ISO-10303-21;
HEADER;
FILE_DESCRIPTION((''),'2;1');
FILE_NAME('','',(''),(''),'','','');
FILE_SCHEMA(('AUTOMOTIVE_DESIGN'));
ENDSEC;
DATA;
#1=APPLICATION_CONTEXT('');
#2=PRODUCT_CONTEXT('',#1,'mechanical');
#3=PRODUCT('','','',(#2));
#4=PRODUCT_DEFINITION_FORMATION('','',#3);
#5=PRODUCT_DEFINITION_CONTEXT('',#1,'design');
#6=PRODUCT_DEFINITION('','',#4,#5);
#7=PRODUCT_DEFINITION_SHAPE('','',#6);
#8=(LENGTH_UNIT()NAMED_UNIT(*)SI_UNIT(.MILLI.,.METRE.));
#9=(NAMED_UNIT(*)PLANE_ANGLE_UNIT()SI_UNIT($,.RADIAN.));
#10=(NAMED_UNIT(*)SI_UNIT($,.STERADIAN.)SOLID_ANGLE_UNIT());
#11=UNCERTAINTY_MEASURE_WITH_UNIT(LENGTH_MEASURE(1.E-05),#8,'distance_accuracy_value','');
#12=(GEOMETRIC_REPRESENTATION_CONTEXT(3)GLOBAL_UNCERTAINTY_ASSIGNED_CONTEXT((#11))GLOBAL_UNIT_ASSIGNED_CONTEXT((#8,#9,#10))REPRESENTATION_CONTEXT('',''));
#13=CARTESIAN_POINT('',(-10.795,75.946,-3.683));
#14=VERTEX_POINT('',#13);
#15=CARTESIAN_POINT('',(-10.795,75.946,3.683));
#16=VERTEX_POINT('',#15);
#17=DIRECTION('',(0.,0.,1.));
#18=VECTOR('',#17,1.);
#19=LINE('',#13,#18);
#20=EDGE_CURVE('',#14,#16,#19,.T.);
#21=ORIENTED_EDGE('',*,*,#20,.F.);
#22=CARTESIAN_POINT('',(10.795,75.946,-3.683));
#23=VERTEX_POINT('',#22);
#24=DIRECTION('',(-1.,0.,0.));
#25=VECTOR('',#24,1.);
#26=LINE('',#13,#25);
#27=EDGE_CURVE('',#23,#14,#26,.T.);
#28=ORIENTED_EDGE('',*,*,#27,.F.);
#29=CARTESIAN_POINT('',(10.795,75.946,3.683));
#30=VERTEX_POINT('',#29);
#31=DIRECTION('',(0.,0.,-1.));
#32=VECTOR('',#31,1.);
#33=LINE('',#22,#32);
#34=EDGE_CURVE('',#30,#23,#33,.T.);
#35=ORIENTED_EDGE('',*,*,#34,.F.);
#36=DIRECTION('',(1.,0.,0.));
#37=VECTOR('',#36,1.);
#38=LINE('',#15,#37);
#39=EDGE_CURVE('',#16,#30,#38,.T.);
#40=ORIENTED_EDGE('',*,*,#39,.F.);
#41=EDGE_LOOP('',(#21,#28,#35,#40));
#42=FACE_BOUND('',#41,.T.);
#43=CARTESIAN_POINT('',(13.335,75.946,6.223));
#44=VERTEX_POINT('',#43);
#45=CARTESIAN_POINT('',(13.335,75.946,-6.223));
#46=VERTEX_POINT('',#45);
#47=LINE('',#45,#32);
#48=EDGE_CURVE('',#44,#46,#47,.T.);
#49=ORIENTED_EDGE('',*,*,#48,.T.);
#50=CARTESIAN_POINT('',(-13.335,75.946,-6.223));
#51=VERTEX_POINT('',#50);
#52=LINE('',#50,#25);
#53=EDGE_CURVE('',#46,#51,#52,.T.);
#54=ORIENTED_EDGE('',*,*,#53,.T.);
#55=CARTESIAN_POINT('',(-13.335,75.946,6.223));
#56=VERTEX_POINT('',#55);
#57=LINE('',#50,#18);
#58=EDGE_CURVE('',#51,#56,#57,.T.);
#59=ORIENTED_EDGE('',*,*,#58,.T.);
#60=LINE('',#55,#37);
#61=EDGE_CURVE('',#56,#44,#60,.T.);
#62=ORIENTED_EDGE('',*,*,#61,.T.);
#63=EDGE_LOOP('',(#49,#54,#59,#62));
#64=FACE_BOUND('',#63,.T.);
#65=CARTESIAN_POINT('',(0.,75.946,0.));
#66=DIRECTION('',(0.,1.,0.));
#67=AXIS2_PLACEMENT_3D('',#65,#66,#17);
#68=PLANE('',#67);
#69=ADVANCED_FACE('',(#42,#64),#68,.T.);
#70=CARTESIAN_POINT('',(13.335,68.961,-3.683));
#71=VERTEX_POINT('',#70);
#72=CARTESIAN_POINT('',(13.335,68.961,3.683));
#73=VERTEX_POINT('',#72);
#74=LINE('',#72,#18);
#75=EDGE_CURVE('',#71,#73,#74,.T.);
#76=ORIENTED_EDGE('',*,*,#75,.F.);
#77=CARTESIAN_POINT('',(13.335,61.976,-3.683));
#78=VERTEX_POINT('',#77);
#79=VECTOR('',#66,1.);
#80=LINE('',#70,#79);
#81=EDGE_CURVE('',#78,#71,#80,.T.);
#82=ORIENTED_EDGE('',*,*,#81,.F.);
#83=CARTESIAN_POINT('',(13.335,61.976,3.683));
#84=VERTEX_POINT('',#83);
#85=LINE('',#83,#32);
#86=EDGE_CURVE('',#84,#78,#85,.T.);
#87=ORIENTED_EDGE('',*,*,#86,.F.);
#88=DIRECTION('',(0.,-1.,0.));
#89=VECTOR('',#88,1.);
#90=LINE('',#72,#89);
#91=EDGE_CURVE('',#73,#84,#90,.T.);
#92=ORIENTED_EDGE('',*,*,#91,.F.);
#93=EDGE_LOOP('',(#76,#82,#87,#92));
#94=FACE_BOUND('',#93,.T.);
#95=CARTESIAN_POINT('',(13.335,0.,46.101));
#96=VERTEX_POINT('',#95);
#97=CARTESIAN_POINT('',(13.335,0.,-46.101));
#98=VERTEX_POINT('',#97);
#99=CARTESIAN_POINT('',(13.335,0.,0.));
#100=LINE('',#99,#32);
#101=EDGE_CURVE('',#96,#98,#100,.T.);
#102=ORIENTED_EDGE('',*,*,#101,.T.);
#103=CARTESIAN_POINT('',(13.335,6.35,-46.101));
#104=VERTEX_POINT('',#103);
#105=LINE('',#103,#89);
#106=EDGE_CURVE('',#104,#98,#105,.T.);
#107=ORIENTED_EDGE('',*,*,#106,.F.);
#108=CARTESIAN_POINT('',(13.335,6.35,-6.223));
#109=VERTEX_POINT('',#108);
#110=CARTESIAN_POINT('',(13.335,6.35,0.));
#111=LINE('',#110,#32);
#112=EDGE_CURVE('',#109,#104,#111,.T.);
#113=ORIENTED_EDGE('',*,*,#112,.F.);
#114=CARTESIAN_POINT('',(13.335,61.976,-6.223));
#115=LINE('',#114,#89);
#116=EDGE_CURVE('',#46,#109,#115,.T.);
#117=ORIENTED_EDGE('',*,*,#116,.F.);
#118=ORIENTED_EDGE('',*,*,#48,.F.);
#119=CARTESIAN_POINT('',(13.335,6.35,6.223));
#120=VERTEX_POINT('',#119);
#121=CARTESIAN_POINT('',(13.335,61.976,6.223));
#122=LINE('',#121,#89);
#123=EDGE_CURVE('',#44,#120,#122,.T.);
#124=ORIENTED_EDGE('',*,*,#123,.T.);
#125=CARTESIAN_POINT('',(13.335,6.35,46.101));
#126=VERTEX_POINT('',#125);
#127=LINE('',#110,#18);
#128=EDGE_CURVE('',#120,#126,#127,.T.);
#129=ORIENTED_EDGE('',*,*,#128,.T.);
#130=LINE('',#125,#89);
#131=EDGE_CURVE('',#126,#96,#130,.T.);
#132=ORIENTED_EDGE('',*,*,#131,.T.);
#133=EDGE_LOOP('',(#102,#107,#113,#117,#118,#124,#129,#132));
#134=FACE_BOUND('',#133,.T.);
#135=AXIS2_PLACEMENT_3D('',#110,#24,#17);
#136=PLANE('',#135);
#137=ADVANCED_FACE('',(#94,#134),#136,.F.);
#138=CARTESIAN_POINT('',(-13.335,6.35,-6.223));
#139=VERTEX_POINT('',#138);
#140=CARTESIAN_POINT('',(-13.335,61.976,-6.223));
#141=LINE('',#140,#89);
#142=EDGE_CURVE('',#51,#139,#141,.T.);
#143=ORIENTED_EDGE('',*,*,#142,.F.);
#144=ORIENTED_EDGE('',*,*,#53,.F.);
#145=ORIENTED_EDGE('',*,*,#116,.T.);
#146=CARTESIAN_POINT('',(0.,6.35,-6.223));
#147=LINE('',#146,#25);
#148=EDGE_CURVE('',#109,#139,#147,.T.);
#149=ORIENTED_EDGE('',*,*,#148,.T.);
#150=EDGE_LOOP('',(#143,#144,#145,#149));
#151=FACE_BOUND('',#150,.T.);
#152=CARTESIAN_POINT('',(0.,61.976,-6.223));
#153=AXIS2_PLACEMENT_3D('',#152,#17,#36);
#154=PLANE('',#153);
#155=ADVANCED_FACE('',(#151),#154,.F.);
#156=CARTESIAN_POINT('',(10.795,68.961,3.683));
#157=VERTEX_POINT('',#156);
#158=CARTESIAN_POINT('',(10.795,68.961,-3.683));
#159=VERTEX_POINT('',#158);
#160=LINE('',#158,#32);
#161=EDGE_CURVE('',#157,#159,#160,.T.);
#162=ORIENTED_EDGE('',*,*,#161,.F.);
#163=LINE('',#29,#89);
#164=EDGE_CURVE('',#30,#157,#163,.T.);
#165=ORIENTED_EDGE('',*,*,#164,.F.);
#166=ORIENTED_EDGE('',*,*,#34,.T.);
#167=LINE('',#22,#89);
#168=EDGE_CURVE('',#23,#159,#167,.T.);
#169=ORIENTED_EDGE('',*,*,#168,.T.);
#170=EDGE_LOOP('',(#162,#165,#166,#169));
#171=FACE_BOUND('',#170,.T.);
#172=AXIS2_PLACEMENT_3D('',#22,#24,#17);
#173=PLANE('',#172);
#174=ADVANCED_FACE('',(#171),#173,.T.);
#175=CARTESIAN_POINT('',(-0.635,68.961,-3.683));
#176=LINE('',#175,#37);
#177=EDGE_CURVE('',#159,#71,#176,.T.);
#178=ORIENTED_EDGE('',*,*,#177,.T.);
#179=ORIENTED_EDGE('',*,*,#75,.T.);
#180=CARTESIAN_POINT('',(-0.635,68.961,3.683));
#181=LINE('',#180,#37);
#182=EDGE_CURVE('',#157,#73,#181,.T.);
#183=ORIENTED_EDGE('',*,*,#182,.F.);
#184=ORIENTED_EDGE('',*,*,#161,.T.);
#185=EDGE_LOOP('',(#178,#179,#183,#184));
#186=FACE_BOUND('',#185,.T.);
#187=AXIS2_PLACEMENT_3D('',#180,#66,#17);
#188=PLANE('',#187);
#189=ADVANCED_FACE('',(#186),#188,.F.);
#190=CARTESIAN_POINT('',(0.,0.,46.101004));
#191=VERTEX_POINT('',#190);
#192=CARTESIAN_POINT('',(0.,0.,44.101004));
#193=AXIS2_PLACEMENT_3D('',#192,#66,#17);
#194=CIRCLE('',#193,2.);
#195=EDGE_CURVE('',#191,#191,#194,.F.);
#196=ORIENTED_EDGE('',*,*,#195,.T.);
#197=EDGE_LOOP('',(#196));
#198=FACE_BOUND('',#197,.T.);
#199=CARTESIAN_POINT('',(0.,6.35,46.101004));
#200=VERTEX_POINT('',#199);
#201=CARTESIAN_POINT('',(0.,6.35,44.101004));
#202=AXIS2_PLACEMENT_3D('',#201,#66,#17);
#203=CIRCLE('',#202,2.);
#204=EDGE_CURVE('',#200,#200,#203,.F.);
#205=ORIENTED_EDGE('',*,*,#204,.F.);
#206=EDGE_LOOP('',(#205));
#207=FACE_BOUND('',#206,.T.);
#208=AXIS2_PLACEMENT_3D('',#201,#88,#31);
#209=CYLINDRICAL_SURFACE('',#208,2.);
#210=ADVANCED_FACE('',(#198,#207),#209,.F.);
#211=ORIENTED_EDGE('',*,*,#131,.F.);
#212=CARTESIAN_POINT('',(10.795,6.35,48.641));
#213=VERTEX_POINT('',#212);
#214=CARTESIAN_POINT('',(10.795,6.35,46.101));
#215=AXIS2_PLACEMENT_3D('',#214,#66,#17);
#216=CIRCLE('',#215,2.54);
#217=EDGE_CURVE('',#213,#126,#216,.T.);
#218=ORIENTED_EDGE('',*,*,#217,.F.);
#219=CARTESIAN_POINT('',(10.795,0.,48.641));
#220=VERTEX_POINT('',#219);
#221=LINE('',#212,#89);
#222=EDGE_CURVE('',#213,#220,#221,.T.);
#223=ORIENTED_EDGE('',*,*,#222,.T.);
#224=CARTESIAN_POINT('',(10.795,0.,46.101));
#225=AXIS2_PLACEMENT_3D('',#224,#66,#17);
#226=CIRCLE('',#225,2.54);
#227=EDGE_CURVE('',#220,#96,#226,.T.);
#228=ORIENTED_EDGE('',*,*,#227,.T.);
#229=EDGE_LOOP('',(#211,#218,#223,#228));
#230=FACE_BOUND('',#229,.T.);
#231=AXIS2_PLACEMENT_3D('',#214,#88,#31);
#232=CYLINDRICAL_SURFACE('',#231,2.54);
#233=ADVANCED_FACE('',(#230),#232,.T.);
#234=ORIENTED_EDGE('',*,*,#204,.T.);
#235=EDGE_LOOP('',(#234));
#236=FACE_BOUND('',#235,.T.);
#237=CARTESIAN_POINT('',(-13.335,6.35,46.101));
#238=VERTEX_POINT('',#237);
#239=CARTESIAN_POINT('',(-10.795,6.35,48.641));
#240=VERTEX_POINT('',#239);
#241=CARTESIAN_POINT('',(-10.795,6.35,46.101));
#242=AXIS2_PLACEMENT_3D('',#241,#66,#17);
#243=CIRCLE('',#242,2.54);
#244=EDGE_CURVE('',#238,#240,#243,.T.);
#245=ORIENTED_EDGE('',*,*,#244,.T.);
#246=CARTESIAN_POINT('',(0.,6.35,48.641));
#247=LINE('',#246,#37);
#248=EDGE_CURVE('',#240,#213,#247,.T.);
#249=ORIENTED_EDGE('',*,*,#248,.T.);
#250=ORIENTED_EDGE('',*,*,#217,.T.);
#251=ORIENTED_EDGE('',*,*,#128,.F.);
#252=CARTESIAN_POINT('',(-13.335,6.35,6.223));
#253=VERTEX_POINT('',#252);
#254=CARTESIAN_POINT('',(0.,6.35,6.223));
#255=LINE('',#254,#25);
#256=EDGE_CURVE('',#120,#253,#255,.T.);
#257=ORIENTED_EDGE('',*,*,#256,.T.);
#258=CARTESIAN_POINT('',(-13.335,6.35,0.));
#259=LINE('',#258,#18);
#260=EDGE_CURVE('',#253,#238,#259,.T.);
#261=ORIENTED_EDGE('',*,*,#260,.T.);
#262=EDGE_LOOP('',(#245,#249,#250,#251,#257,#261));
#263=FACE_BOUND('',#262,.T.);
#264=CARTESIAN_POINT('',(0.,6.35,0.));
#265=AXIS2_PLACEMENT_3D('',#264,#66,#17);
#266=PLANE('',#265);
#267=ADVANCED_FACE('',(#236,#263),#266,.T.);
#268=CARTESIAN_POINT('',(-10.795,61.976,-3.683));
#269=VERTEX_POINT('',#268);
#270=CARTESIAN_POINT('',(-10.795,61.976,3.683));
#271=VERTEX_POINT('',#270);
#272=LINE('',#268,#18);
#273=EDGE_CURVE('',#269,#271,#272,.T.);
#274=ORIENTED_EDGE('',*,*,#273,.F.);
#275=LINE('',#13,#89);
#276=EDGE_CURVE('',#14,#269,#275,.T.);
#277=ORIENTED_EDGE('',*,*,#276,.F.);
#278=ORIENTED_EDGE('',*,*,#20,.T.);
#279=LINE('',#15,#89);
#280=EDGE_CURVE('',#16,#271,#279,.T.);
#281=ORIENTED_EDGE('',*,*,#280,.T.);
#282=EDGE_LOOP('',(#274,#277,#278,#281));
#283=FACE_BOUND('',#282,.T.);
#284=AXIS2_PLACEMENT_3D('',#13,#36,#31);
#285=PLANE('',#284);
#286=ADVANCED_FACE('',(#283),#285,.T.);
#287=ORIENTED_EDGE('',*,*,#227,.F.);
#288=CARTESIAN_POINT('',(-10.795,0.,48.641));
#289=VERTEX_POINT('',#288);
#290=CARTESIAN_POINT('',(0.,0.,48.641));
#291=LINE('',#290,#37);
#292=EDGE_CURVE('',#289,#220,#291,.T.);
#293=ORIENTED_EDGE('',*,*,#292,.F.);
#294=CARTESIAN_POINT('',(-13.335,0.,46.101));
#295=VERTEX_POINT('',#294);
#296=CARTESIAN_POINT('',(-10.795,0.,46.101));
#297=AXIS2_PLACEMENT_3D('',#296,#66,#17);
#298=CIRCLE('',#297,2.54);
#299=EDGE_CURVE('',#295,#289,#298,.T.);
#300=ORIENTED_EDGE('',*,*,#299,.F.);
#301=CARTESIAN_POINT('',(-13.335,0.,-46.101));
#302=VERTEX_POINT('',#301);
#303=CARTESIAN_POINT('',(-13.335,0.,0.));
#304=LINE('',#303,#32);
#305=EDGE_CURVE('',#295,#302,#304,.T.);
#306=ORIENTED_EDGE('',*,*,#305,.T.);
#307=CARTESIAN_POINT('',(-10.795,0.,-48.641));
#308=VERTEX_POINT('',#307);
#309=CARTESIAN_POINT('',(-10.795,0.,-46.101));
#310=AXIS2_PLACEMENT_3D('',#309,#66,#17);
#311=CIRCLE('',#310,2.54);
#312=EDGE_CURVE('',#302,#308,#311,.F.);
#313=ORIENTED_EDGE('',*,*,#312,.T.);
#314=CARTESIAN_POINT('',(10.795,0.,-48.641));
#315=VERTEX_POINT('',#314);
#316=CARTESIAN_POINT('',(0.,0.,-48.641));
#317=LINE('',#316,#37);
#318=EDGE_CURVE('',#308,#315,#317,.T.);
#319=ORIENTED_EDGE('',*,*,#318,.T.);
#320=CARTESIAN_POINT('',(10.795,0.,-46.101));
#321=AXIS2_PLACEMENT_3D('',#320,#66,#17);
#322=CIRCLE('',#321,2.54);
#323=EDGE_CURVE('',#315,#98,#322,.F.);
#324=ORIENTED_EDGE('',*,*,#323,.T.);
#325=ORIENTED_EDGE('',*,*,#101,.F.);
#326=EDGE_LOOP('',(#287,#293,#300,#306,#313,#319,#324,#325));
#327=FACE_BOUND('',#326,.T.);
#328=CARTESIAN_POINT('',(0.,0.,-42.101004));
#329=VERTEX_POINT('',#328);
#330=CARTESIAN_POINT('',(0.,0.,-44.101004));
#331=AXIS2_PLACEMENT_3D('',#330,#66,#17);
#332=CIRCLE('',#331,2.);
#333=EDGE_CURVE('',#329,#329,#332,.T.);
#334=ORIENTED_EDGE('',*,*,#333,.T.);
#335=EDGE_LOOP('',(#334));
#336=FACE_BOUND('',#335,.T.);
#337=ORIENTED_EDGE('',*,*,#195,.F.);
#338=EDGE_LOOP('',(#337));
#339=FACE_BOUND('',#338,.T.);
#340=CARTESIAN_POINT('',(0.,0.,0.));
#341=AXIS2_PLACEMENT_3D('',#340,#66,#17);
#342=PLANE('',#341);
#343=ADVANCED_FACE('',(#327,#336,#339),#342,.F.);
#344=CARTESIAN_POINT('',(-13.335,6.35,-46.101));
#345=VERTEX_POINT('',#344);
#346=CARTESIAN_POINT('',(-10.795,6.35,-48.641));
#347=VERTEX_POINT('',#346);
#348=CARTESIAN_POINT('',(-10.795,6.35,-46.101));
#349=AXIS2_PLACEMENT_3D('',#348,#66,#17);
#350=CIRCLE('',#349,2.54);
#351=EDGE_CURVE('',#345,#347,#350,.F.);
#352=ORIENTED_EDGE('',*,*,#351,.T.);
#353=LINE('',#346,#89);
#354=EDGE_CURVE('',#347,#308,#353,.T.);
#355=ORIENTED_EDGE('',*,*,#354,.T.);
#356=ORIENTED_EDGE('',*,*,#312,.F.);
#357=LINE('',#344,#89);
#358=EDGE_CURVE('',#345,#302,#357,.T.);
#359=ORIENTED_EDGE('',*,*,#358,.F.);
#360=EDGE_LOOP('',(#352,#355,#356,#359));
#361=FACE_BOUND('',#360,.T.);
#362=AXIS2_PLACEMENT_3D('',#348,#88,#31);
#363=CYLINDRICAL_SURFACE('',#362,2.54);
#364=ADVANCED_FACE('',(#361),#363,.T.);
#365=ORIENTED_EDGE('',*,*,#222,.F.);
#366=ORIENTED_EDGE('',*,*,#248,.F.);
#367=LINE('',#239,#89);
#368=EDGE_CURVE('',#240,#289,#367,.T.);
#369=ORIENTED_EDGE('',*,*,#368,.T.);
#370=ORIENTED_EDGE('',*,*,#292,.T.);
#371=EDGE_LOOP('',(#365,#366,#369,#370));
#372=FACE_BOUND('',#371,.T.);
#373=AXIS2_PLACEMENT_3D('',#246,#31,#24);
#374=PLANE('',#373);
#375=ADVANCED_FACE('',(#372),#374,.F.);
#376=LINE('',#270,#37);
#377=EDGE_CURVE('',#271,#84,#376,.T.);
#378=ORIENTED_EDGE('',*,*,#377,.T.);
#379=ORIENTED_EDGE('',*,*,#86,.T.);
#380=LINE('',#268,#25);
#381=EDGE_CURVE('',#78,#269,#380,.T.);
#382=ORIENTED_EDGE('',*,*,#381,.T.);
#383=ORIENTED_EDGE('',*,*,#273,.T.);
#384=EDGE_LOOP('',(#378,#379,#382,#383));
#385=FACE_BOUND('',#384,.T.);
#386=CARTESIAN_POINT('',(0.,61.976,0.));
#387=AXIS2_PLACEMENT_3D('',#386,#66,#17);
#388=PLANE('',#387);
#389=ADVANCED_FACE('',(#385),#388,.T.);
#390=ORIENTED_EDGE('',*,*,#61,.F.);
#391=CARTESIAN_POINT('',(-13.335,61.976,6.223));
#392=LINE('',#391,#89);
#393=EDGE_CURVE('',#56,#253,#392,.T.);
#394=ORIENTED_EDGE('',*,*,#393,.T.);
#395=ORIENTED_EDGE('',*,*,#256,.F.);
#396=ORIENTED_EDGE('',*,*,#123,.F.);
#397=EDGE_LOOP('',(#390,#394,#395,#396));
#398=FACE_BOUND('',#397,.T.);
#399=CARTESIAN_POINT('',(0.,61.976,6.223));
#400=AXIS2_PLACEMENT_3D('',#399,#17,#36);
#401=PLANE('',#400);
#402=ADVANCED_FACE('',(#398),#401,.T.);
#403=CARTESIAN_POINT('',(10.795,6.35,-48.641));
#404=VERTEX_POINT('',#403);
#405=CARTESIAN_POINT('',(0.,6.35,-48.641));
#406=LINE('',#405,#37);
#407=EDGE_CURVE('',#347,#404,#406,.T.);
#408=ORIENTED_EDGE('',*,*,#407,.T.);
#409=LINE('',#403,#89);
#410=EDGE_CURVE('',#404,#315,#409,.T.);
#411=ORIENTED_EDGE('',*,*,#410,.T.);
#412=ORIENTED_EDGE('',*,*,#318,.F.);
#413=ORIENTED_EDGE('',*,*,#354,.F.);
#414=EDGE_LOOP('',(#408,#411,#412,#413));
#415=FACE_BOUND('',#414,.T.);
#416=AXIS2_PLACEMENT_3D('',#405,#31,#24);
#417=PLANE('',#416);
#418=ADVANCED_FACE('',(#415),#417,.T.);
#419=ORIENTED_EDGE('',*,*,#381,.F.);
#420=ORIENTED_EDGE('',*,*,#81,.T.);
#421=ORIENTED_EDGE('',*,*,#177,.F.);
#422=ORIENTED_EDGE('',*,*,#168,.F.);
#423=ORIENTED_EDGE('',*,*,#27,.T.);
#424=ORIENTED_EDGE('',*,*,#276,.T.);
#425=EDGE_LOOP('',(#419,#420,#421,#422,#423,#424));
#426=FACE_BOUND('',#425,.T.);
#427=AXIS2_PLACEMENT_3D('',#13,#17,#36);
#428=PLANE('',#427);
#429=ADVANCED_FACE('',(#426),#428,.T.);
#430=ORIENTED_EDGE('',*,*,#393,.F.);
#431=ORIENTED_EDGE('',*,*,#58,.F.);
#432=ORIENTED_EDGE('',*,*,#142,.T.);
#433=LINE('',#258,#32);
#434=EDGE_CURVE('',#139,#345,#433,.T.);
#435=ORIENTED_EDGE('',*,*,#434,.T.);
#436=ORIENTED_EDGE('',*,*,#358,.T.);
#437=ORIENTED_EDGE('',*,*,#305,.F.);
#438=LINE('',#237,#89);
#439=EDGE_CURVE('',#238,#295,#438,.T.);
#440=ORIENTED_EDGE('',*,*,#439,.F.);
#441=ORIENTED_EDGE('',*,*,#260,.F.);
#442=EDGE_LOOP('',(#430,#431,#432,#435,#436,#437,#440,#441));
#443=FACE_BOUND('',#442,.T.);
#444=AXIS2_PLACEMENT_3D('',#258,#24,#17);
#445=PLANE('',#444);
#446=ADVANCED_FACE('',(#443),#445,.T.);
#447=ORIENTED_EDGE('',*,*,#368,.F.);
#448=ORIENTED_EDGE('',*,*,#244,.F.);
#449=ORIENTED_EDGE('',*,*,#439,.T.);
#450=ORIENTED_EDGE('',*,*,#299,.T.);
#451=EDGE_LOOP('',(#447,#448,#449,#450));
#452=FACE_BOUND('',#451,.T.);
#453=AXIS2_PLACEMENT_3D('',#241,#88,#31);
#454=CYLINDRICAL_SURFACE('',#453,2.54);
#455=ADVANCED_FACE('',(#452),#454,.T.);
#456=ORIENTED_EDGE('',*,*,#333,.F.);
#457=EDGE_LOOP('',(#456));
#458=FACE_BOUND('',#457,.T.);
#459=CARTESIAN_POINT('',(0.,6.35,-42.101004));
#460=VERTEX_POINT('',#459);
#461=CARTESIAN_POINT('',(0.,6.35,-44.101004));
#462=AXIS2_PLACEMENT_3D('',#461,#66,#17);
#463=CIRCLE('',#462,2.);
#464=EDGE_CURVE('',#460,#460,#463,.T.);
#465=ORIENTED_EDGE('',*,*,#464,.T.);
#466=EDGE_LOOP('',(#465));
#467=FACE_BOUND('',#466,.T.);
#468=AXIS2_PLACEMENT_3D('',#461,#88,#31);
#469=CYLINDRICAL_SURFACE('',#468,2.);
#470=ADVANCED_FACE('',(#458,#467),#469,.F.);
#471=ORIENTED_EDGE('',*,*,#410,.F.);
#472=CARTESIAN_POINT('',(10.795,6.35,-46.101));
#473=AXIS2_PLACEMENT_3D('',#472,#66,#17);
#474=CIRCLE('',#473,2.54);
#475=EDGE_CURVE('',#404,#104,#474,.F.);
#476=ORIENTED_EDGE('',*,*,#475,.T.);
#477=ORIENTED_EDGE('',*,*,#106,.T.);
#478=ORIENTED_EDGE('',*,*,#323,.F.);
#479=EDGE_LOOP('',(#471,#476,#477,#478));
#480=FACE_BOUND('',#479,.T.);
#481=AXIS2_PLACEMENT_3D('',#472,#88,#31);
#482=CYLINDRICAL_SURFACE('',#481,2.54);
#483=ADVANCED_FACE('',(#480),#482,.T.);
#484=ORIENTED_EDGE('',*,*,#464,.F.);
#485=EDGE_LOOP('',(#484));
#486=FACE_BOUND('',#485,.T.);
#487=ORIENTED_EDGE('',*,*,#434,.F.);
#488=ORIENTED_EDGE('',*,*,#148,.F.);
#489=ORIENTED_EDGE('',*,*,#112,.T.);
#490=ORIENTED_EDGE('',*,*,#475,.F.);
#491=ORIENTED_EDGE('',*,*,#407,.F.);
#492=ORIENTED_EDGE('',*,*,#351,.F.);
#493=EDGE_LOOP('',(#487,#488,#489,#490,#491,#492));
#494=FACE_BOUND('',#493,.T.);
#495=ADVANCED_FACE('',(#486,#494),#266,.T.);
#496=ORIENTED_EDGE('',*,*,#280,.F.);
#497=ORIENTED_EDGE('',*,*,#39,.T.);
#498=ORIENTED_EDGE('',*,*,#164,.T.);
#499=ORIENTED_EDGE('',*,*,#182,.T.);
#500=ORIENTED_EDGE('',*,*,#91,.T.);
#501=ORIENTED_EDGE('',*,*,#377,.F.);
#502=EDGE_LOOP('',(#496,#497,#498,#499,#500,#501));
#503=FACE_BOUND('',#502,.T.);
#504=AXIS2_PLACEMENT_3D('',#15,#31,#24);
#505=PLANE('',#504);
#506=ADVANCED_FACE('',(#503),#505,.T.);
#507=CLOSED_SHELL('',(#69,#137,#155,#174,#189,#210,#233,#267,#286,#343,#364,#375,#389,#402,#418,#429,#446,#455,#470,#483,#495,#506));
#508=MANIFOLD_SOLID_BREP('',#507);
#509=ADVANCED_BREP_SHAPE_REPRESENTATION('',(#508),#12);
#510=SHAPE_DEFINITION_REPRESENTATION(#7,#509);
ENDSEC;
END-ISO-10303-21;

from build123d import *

# Parameters (mm, degrees)
SKETCH1_R             = 2
BOSS_EXTRUDE1_DEPTH   = 6.35
BOSS_EXTRUDE1_2_DEPTH = 6.35
SKETCH1_3_W           = 26.67
SKETCH1_3_H           = 12.446
BOSS_EXTRUDE2_DEPTH   = 61.976
SKETCH2_W             = 26.67
SKETCH2_H             = 12.446
SKETCH2_W_2           = 21.59
SKETCH2_H_2           = 7.366
BOSS_EXTRUDE3_DEPTH   = 13.97
SKETCH3_W             = 7.366
SKETCH3_H             = 6.985
CUT_EXTRUDE1_DEPTH    = 13.97


with BuildPart() as part:
    # Sketch1 → Boss-Extrude1 (new body)
    with BuildSketch(Plane(origin=(0, 0, 0), x_dir=(1, 0, 0), z_dir=(0, 1, 0))):
        with BuildLine():
            Line((-13.335, 6.223), (13.335, 6.223))
            Line((13.335, 6.223), (13.335, 46.101))
            ThreePointArc((13.335, 46.101), (12.591051224, 47.897051224), (10.795, 48.641))
            Line((10.795, 48.641), (-10.795, 48.641))
            ThreePointArc((-10.795, 48.641), (-12.591051224, 47.897051224), (-13.335, 46.101))
            Line((-13.335, 46.101), (-13.335, 6.223))
        make_face()
        with Locations((0, 44.101004)):
            Circle(SKETCH1_R, mode=Mode.SUBTRACT)
    extrude(amount=BOSS_EXTRUDE1_DEPTH)



with BuildPart() as body_2:
    # Sketch1 → Boss-Extrude1 2 (new body)
    with BuildSketch(Plane(origin=(0, 0, 0), x_dir=(1, 0, 0), z_dir=(0, 1, 0))):
        with BuildLine():
            Line((13.335, -46.101), (13.335, -6.223))
            Line((13.335, -6.223), (-13.335, -6.223))
            Line((-13.335, -6.223), (-13.335, -46.101))
            ThreePointArc((-13.335, -46.101), (-12.591051224, -47.897051224), (-10.795, -48.641))
            Line((-10.795, -48.641), (10.795, -48.641))
            ThreePointArc((10.795, -48.641), (12.591051224, -47.897051224), (13.335, -46.101))
        make_face()
        with Locations((0, -44.101004)):
            Circle(SKETCH1_R, mode=Mode.SUBTRACT)
    extrude(amount=BOSS_EXTRUDE1_2_DEPTH)


with BuildPart() as part_1:
    add(part.part)

    add(body_2.part)  # Boss-Extrude2 merges body 2
    # Sketch1<3> → Boss-Extrude2 (add)
    with BuildSketch(Plane(origin=(0, 0, 0), x_dir=(1, 0, 0), z_dir=(0, 1, 0))):
        Rectangle(SKETCH1_3_W, SKETCH1_3_H)
    extrude(amount=BOSS_EXTRUDE2_DEPTH)

    # Sketch2 → Boss-Extrude3 (add)
    with BuildSketch(Plane(origin=(0, 61.976, 0), x_dir=(1, 0, 0), z_dir=(0, 1, 0))):
        Rectangle(SKETCH2_W, SKETCH2_H)
        Rectangle(SKETCH2_W_2, SKETCH2_H_2, mode=Mode.SUBTRACT)
    extrude(amount=BOSS_EXTRUDE3_DEPTH)

    # Sketch3 → Cut-Extrude1 (cut)
    with BuildSketch(Plane(origin=(13.335, 0, 0), x_dir=(0, 0, -1), z_dir=(1, 0, 0))):
        with Locations((0, 65.4685)):
            Rectangle(SKETCH3_W, SKETCH3_H)
    extrude(amount=-CUT_EXTRUDE1_DEPTH, mode=Mode.SUBTRACT)


solid = part_1.part
